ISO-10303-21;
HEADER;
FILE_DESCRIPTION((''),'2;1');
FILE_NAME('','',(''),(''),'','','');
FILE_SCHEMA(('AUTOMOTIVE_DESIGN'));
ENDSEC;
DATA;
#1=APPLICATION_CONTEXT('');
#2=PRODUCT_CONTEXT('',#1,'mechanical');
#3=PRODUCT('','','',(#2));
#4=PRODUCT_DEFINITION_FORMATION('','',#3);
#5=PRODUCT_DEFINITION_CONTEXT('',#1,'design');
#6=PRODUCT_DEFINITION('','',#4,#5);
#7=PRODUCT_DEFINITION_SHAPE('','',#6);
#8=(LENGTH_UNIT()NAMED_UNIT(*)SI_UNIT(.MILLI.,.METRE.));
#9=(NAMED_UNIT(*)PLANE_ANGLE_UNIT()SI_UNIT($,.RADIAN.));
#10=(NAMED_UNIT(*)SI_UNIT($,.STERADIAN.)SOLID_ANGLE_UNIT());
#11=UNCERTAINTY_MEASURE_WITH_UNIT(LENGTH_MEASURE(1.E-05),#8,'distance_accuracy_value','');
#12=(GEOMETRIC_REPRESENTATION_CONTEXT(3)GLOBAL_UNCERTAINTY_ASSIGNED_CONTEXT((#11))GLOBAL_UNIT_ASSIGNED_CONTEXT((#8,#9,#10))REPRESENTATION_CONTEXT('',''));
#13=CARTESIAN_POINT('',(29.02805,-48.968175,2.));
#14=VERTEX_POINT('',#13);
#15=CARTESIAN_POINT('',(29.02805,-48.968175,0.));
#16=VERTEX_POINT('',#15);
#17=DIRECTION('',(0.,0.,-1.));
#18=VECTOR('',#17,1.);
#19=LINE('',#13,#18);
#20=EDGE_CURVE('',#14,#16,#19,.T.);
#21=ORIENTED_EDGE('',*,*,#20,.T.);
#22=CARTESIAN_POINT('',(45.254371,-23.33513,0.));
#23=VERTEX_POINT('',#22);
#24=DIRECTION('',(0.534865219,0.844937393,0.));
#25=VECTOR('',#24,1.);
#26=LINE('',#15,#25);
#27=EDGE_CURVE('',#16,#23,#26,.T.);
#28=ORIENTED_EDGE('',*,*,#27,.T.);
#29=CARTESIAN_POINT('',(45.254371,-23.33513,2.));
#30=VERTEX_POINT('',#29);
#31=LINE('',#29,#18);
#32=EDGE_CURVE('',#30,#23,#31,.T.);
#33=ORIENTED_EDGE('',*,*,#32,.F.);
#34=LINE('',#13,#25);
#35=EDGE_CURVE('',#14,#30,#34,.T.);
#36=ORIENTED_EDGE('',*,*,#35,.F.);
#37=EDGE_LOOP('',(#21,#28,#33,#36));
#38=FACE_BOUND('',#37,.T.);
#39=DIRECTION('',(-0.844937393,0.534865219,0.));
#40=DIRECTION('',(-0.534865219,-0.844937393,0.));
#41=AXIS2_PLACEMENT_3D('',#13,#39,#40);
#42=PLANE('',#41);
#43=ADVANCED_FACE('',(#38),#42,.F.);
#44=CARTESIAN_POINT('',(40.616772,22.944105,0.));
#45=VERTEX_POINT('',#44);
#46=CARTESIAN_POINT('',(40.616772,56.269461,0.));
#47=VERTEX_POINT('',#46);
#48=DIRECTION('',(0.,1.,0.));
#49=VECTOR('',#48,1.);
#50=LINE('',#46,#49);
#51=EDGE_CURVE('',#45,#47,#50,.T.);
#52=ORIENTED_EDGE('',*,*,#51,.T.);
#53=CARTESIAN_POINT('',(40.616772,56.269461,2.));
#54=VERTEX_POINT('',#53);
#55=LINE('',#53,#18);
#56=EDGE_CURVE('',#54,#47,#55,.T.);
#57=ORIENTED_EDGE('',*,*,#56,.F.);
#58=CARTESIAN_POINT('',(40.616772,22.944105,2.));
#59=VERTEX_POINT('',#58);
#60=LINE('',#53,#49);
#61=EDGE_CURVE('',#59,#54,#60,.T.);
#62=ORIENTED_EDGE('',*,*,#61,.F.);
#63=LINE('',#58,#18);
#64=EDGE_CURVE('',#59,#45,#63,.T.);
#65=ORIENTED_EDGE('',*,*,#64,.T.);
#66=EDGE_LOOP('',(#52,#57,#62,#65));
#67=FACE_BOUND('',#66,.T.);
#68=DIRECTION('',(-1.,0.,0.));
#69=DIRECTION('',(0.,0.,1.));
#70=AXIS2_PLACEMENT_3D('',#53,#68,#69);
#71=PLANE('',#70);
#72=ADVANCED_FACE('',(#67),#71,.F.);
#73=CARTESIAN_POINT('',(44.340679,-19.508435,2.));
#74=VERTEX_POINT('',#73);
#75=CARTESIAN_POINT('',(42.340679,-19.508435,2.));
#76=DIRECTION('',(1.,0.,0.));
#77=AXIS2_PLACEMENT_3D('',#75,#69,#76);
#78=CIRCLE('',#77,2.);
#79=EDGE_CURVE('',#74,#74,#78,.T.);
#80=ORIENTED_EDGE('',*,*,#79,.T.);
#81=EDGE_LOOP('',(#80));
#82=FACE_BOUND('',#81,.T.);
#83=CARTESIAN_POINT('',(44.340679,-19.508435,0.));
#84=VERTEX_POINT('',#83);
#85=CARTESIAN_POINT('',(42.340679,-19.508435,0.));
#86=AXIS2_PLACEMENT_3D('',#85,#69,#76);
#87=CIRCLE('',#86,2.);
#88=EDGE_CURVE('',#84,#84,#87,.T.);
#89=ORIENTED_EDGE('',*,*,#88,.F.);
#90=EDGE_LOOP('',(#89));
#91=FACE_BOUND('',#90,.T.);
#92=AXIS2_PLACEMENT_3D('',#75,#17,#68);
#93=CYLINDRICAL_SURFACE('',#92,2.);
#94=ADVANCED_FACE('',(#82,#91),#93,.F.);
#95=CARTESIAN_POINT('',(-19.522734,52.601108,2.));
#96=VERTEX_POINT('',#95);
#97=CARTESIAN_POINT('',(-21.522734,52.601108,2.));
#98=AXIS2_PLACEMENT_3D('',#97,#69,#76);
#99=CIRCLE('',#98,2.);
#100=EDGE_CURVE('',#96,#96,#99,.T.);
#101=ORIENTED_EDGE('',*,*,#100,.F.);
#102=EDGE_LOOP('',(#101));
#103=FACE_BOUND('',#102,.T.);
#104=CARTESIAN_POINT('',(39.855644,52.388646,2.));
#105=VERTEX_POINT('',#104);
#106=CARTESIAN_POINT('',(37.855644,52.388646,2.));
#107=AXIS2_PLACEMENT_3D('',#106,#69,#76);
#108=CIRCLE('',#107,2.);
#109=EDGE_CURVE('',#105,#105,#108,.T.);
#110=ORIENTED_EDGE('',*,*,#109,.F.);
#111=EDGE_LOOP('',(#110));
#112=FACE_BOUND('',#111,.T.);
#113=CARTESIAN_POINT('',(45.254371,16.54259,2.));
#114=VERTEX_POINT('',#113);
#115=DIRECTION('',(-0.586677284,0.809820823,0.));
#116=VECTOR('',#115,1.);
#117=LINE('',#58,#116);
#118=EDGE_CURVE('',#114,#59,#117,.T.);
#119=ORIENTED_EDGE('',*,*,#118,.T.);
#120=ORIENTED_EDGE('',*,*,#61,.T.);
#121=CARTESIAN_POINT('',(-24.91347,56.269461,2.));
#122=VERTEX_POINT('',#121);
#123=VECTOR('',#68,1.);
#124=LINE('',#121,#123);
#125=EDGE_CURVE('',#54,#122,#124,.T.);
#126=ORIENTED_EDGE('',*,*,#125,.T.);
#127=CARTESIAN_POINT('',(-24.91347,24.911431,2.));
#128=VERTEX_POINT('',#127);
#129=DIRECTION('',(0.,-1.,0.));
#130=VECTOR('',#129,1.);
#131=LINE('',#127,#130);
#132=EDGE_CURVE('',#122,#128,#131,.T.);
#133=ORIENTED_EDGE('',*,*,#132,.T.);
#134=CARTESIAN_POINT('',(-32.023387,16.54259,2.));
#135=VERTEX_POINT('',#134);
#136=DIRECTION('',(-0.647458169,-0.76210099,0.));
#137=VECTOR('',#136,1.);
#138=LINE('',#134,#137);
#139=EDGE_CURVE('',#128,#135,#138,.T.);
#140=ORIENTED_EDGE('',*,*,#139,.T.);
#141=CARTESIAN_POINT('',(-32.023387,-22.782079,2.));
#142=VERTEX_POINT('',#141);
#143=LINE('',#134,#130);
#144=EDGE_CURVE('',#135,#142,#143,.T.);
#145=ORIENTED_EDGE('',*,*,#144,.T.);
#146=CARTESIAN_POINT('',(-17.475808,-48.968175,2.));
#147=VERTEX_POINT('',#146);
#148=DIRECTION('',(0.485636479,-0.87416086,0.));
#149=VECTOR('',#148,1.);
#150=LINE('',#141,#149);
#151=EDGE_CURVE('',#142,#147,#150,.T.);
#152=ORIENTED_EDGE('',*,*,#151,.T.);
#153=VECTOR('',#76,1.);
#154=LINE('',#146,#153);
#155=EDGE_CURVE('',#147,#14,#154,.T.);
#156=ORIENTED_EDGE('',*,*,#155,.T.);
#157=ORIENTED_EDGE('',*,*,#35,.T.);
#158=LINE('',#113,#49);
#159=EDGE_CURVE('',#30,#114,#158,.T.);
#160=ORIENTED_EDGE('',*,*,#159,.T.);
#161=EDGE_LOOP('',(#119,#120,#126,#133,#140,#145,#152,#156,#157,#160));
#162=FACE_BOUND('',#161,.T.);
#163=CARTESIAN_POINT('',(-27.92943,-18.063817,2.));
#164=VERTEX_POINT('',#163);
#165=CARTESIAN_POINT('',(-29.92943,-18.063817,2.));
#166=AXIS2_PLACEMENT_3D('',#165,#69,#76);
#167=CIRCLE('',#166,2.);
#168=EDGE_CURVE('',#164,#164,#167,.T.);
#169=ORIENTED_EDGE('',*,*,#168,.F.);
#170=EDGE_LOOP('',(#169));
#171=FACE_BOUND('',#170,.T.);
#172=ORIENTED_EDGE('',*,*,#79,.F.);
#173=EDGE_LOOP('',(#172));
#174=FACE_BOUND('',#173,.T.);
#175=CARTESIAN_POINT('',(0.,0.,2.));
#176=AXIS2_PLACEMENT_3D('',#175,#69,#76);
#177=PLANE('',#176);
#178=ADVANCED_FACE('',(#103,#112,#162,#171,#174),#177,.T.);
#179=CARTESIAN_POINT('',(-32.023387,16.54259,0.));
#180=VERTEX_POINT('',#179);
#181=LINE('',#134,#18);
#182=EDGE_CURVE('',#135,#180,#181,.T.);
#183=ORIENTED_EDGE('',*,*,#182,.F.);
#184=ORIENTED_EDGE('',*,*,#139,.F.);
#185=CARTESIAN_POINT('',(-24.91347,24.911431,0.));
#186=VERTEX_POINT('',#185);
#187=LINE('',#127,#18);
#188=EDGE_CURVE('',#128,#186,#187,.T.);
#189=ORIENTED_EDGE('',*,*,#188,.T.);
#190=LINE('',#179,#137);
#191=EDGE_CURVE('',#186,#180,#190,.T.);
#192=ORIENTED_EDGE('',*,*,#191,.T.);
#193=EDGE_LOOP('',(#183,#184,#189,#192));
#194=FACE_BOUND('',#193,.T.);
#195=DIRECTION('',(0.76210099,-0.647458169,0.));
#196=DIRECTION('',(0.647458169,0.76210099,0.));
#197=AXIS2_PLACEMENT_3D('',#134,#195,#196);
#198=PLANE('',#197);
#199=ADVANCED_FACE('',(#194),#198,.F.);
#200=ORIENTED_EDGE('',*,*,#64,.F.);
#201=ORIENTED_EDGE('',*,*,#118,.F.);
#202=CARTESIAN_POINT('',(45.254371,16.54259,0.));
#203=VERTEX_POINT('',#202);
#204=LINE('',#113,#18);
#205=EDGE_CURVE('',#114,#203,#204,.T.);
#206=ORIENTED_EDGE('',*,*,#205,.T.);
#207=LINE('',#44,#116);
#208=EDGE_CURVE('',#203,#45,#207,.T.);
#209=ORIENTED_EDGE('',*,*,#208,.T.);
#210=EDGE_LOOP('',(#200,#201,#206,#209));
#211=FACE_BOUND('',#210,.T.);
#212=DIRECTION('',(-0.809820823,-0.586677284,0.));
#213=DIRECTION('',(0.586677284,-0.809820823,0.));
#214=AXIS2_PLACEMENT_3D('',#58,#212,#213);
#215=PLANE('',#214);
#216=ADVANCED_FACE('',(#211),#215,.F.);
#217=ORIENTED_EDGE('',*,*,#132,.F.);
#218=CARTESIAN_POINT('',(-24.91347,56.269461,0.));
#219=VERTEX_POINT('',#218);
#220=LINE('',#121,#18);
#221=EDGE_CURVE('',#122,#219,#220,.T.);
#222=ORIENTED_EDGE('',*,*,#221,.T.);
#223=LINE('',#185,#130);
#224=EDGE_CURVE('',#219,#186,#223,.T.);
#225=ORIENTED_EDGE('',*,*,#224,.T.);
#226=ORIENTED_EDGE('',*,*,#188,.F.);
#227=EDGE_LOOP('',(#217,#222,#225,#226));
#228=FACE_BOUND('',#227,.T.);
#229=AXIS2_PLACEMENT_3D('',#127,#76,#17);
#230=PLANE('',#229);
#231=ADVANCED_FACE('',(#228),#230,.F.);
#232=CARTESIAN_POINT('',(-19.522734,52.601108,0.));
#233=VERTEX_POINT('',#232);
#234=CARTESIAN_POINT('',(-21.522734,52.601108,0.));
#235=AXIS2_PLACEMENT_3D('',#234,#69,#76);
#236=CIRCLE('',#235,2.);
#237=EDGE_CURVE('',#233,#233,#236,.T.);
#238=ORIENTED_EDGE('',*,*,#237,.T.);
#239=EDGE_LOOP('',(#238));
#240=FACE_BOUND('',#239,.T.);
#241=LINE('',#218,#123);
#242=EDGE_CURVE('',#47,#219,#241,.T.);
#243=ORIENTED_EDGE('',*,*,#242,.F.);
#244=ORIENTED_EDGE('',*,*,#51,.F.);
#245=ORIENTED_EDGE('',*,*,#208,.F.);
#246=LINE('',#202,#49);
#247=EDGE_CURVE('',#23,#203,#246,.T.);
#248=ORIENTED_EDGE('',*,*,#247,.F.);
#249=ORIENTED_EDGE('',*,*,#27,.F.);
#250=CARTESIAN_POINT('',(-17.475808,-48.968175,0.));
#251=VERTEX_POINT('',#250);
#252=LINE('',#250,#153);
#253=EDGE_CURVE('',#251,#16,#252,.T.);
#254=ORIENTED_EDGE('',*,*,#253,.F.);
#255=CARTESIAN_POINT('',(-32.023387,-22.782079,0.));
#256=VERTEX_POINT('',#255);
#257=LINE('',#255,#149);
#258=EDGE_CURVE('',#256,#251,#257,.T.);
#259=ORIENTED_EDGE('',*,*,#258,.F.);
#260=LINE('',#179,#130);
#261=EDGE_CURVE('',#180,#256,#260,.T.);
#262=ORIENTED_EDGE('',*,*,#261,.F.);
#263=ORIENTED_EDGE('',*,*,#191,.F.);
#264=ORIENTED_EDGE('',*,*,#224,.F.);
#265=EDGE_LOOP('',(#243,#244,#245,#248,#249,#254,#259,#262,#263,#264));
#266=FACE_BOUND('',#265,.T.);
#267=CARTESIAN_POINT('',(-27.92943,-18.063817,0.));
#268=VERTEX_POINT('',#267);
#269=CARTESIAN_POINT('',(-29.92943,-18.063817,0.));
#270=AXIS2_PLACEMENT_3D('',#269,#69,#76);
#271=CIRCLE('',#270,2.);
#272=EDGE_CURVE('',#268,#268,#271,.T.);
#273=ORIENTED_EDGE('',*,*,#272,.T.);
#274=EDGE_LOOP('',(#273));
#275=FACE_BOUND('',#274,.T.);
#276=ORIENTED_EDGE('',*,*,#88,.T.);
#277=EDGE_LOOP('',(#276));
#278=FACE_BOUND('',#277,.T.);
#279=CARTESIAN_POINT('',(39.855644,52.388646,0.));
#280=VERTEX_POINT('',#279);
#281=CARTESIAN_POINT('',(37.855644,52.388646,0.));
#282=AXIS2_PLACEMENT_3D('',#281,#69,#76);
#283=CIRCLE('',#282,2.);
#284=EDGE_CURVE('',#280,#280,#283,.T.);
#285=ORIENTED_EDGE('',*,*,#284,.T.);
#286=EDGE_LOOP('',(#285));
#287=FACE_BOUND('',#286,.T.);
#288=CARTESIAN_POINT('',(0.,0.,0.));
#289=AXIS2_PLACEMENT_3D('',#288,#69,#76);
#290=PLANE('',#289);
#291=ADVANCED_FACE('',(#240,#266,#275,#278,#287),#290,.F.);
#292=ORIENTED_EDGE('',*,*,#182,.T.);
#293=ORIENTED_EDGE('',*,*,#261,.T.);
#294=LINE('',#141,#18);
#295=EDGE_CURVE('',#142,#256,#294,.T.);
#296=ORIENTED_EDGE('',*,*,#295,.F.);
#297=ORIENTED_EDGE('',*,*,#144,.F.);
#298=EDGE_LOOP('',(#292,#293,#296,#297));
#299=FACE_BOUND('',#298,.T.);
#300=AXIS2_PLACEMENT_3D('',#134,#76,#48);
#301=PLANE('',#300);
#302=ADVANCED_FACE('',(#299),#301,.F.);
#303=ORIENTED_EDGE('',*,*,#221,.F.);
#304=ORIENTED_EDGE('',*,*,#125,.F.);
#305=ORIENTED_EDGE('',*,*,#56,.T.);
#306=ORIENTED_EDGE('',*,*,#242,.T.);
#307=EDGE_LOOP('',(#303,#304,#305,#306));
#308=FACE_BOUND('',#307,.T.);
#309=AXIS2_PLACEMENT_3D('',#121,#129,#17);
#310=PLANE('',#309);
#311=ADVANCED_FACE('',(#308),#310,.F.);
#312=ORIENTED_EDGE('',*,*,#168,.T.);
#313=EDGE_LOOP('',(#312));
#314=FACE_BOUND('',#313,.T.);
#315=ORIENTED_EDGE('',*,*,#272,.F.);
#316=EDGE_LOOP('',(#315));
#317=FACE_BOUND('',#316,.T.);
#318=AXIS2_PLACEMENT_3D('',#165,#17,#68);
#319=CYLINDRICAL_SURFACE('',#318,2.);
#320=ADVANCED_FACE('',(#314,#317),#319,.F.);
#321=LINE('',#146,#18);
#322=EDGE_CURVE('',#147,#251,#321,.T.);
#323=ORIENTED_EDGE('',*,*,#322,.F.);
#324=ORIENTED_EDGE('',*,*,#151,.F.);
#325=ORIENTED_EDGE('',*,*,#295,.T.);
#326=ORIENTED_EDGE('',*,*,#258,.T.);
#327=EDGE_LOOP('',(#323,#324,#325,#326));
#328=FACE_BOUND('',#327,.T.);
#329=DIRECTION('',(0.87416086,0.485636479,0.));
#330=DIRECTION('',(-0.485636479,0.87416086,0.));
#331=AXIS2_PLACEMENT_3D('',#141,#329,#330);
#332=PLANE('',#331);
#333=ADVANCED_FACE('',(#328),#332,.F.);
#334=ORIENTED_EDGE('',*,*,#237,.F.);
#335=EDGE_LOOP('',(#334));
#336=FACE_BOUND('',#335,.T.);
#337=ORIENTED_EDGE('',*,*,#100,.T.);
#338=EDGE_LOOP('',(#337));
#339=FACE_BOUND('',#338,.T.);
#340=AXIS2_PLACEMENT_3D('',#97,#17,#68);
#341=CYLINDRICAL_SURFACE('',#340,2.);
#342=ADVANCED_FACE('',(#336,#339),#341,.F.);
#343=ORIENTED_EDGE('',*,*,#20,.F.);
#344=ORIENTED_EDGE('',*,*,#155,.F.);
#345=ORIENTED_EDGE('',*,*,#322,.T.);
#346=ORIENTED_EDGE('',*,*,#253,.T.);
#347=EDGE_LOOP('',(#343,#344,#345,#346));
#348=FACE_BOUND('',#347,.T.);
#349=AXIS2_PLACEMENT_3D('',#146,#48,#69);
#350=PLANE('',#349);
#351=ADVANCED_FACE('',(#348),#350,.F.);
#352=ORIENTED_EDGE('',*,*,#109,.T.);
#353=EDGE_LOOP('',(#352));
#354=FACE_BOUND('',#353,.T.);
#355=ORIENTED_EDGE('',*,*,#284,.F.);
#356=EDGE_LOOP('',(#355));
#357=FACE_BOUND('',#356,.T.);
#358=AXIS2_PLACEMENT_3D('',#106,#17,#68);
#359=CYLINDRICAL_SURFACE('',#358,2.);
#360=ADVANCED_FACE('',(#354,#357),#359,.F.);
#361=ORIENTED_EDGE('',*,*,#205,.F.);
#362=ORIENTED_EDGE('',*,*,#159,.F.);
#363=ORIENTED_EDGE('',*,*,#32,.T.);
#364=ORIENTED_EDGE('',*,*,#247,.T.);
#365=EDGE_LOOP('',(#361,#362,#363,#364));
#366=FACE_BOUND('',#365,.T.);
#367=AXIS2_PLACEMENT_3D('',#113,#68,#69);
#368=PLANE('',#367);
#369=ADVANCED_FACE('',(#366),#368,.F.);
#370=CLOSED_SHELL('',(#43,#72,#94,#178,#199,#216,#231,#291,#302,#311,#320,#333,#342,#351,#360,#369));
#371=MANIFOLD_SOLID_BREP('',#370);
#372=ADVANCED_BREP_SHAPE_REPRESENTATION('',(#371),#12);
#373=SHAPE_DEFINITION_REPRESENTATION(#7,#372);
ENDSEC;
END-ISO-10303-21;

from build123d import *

# Parameters (mm, degrees)
SKETCH1_R           = 2
BOSS_EXTRUDE1_DEPTH = 2


with BuildPart() as part:
    # Sketch1 → Boss-Extrude1 (new body)
    with BuildSketch(Plane.XY):
        Polygon((-32.023386605, 16.542589641), (-24.91346955, 24.911431191), (-24.91346955, 56.269461149), (40.616772294, 56.269461149), (40.616772294, 22.944104941), (45.254370516, 16.542589641), (45.254370516, -23.335129549), (29.028050428, -48.968175245), (-17.475808115, -48.968175245), (-32.023386605, -22.782078707), align=None)
        with Locations((-21.522734493, 52.601108192)):
            Circle(SKETCH1_R, mode=Mode.SUBTRACT)
        with Locations((37.855643931, 52.388646343)):
            Circle(SKETCH1_R, mode=Mode.SUBTRACT)
        with Locations((42.340678938, -19.508435256)):
            Circle(SKETCH1_R, mode=Mode.SUBTRACT)
        with Locations((-29.92943, -18.063816679)):
            Circle(SKETCH1_R, mode=Mode.SUBTRACT)
    extrude(amount=BOSS_EXTRUDE1_DEPTH)


solid = part.part
